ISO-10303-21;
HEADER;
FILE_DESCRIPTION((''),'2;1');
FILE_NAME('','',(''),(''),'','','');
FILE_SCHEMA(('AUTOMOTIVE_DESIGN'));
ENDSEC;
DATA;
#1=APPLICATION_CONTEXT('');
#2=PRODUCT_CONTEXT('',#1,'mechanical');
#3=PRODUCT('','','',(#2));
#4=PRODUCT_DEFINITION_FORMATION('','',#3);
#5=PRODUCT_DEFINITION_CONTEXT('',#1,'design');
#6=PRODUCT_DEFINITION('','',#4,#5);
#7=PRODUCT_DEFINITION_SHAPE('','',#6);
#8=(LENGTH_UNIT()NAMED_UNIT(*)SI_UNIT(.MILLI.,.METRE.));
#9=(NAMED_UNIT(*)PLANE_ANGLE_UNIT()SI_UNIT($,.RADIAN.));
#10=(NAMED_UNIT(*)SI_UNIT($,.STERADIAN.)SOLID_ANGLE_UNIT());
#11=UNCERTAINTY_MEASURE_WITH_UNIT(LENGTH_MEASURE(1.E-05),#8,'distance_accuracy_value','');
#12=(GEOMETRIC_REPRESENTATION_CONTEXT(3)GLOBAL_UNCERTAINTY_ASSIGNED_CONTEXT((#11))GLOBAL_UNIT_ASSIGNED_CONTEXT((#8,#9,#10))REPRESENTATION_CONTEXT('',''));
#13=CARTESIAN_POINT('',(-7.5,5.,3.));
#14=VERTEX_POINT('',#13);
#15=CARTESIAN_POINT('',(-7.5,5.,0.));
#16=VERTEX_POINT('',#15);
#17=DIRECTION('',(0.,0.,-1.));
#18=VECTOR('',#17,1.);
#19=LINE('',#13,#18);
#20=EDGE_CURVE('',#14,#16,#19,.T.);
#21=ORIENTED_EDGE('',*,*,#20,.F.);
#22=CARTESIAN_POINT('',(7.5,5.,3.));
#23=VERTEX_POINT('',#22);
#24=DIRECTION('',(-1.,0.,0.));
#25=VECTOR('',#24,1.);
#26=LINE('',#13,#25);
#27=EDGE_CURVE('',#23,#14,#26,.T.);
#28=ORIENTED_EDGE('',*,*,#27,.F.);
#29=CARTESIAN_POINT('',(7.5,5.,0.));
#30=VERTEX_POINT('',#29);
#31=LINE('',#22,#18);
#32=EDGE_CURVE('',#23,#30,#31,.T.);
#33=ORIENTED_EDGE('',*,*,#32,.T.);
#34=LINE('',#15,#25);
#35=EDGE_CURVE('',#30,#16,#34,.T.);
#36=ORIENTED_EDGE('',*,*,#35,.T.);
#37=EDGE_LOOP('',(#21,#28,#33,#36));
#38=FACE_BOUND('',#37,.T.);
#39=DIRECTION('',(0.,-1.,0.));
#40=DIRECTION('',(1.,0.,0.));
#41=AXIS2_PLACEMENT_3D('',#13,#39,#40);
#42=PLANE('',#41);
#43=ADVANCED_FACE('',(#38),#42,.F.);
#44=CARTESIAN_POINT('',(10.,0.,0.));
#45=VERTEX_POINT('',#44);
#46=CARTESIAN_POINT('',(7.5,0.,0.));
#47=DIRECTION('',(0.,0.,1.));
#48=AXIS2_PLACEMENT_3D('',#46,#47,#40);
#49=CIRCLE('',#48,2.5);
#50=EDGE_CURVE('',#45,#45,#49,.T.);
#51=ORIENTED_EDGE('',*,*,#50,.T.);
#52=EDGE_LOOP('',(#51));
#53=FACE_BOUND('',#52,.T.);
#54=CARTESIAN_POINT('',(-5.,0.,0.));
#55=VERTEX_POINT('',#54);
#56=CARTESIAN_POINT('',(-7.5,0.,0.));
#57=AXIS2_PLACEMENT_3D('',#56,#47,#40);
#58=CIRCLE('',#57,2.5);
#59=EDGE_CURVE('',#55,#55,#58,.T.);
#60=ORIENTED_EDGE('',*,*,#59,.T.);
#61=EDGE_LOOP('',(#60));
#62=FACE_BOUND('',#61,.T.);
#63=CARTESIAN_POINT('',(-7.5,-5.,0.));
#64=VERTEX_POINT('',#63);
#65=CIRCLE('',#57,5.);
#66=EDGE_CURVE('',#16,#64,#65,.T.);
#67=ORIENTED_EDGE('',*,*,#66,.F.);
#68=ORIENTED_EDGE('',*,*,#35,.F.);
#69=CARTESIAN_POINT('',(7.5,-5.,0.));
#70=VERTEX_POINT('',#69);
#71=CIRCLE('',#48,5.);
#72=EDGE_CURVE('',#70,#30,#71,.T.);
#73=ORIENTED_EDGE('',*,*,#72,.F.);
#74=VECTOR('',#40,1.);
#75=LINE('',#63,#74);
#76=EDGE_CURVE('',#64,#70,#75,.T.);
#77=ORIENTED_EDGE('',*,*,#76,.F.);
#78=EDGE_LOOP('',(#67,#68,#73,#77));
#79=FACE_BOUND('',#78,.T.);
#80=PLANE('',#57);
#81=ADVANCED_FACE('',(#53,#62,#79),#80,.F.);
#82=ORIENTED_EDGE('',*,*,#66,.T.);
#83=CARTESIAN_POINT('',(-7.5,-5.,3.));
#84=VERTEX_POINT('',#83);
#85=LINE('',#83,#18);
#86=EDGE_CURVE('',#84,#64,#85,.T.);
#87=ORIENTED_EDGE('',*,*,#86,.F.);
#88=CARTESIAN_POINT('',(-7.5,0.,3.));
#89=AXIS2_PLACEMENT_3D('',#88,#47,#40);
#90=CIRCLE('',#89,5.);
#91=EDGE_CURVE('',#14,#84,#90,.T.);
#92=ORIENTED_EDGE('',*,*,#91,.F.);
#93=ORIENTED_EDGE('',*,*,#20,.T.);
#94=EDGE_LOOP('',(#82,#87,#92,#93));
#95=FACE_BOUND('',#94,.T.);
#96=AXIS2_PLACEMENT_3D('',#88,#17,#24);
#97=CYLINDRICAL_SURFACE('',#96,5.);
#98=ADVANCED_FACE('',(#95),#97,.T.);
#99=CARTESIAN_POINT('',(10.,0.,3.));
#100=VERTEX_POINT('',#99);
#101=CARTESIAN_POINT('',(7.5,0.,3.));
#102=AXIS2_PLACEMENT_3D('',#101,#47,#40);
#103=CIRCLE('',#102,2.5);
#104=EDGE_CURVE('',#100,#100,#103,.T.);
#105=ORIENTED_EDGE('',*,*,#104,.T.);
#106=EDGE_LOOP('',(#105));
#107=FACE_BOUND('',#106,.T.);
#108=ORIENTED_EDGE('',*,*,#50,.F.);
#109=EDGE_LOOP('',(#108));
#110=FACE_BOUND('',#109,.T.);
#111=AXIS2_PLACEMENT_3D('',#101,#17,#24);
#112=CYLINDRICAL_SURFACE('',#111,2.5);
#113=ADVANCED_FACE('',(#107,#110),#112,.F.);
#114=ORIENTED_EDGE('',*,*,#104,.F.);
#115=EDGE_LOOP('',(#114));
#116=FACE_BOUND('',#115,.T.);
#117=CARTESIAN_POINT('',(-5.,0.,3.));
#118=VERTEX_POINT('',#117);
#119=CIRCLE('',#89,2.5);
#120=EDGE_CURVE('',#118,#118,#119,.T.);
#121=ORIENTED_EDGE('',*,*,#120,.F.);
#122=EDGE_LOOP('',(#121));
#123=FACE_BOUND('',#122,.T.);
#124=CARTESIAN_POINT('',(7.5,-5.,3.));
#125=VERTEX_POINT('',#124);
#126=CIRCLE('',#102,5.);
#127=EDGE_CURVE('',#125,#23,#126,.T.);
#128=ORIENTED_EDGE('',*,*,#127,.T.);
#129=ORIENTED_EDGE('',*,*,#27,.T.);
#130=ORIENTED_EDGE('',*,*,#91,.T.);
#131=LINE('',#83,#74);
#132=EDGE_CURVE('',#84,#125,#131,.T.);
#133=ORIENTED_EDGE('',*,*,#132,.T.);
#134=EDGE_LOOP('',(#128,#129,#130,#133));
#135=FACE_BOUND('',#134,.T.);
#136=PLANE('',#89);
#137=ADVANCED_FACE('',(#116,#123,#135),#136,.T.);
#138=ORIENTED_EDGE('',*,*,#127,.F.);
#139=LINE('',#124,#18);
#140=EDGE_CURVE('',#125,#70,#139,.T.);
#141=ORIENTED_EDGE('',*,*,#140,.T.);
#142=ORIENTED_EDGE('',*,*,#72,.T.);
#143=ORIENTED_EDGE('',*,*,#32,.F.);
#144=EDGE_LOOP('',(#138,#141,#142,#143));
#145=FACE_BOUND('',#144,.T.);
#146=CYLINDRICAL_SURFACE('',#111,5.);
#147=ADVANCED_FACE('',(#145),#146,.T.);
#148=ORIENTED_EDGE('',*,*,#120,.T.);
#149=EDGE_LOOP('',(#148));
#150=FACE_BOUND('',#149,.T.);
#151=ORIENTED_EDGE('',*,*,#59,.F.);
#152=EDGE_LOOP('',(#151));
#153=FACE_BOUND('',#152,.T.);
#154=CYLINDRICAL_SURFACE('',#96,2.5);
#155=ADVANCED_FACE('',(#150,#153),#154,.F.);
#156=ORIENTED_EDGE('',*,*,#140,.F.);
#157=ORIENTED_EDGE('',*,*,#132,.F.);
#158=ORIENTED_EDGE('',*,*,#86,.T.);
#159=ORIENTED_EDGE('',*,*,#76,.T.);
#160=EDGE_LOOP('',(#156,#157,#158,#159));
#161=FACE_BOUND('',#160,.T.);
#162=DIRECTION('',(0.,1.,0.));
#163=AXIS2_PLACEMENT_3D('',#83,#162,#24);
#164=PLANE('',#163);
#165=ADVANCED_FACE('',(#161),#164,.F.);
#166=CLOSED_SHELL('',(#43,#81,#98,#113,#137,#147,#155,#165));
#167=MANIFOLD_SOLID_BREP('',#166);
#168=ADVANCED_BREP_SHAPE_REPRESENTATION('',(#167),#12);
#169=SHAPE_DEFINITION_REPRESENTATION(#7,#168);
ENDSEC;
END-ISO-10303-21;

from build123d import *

# Parameters (mm, degrees)
SKETCH1_R           = 2.5
BOSS_EXTRUDE1_DEPTH = 3


with BuildPart() as part:
    # Sketch1 → Boss-Extrude1 (new body)
    with BuildSketch(Plane.XY):
        with BuildLine():
            Line((-7.5, 5), (7.5, 5))
            ThreePointArc((7.5, 5), (12.5, 0), (7.5, -5))
            Line((7.5, -5), (-7.5, -5))
            ThreePointArc((-7.5, -5), (-12.5, 0), (-7.5, 5))
        make_face()
        with Locations((7.5, 0)):
            Circle(SKETCH1_R, mode=Mode.SUBTRACT)
        with Locations((-7.5, 0)):
            Circle(SKETCH1_R, mode=Mode.SUBTRACT)
    extrude(amount=BOSS_EXTRUDE1_DEPTH)


solid = part.part
